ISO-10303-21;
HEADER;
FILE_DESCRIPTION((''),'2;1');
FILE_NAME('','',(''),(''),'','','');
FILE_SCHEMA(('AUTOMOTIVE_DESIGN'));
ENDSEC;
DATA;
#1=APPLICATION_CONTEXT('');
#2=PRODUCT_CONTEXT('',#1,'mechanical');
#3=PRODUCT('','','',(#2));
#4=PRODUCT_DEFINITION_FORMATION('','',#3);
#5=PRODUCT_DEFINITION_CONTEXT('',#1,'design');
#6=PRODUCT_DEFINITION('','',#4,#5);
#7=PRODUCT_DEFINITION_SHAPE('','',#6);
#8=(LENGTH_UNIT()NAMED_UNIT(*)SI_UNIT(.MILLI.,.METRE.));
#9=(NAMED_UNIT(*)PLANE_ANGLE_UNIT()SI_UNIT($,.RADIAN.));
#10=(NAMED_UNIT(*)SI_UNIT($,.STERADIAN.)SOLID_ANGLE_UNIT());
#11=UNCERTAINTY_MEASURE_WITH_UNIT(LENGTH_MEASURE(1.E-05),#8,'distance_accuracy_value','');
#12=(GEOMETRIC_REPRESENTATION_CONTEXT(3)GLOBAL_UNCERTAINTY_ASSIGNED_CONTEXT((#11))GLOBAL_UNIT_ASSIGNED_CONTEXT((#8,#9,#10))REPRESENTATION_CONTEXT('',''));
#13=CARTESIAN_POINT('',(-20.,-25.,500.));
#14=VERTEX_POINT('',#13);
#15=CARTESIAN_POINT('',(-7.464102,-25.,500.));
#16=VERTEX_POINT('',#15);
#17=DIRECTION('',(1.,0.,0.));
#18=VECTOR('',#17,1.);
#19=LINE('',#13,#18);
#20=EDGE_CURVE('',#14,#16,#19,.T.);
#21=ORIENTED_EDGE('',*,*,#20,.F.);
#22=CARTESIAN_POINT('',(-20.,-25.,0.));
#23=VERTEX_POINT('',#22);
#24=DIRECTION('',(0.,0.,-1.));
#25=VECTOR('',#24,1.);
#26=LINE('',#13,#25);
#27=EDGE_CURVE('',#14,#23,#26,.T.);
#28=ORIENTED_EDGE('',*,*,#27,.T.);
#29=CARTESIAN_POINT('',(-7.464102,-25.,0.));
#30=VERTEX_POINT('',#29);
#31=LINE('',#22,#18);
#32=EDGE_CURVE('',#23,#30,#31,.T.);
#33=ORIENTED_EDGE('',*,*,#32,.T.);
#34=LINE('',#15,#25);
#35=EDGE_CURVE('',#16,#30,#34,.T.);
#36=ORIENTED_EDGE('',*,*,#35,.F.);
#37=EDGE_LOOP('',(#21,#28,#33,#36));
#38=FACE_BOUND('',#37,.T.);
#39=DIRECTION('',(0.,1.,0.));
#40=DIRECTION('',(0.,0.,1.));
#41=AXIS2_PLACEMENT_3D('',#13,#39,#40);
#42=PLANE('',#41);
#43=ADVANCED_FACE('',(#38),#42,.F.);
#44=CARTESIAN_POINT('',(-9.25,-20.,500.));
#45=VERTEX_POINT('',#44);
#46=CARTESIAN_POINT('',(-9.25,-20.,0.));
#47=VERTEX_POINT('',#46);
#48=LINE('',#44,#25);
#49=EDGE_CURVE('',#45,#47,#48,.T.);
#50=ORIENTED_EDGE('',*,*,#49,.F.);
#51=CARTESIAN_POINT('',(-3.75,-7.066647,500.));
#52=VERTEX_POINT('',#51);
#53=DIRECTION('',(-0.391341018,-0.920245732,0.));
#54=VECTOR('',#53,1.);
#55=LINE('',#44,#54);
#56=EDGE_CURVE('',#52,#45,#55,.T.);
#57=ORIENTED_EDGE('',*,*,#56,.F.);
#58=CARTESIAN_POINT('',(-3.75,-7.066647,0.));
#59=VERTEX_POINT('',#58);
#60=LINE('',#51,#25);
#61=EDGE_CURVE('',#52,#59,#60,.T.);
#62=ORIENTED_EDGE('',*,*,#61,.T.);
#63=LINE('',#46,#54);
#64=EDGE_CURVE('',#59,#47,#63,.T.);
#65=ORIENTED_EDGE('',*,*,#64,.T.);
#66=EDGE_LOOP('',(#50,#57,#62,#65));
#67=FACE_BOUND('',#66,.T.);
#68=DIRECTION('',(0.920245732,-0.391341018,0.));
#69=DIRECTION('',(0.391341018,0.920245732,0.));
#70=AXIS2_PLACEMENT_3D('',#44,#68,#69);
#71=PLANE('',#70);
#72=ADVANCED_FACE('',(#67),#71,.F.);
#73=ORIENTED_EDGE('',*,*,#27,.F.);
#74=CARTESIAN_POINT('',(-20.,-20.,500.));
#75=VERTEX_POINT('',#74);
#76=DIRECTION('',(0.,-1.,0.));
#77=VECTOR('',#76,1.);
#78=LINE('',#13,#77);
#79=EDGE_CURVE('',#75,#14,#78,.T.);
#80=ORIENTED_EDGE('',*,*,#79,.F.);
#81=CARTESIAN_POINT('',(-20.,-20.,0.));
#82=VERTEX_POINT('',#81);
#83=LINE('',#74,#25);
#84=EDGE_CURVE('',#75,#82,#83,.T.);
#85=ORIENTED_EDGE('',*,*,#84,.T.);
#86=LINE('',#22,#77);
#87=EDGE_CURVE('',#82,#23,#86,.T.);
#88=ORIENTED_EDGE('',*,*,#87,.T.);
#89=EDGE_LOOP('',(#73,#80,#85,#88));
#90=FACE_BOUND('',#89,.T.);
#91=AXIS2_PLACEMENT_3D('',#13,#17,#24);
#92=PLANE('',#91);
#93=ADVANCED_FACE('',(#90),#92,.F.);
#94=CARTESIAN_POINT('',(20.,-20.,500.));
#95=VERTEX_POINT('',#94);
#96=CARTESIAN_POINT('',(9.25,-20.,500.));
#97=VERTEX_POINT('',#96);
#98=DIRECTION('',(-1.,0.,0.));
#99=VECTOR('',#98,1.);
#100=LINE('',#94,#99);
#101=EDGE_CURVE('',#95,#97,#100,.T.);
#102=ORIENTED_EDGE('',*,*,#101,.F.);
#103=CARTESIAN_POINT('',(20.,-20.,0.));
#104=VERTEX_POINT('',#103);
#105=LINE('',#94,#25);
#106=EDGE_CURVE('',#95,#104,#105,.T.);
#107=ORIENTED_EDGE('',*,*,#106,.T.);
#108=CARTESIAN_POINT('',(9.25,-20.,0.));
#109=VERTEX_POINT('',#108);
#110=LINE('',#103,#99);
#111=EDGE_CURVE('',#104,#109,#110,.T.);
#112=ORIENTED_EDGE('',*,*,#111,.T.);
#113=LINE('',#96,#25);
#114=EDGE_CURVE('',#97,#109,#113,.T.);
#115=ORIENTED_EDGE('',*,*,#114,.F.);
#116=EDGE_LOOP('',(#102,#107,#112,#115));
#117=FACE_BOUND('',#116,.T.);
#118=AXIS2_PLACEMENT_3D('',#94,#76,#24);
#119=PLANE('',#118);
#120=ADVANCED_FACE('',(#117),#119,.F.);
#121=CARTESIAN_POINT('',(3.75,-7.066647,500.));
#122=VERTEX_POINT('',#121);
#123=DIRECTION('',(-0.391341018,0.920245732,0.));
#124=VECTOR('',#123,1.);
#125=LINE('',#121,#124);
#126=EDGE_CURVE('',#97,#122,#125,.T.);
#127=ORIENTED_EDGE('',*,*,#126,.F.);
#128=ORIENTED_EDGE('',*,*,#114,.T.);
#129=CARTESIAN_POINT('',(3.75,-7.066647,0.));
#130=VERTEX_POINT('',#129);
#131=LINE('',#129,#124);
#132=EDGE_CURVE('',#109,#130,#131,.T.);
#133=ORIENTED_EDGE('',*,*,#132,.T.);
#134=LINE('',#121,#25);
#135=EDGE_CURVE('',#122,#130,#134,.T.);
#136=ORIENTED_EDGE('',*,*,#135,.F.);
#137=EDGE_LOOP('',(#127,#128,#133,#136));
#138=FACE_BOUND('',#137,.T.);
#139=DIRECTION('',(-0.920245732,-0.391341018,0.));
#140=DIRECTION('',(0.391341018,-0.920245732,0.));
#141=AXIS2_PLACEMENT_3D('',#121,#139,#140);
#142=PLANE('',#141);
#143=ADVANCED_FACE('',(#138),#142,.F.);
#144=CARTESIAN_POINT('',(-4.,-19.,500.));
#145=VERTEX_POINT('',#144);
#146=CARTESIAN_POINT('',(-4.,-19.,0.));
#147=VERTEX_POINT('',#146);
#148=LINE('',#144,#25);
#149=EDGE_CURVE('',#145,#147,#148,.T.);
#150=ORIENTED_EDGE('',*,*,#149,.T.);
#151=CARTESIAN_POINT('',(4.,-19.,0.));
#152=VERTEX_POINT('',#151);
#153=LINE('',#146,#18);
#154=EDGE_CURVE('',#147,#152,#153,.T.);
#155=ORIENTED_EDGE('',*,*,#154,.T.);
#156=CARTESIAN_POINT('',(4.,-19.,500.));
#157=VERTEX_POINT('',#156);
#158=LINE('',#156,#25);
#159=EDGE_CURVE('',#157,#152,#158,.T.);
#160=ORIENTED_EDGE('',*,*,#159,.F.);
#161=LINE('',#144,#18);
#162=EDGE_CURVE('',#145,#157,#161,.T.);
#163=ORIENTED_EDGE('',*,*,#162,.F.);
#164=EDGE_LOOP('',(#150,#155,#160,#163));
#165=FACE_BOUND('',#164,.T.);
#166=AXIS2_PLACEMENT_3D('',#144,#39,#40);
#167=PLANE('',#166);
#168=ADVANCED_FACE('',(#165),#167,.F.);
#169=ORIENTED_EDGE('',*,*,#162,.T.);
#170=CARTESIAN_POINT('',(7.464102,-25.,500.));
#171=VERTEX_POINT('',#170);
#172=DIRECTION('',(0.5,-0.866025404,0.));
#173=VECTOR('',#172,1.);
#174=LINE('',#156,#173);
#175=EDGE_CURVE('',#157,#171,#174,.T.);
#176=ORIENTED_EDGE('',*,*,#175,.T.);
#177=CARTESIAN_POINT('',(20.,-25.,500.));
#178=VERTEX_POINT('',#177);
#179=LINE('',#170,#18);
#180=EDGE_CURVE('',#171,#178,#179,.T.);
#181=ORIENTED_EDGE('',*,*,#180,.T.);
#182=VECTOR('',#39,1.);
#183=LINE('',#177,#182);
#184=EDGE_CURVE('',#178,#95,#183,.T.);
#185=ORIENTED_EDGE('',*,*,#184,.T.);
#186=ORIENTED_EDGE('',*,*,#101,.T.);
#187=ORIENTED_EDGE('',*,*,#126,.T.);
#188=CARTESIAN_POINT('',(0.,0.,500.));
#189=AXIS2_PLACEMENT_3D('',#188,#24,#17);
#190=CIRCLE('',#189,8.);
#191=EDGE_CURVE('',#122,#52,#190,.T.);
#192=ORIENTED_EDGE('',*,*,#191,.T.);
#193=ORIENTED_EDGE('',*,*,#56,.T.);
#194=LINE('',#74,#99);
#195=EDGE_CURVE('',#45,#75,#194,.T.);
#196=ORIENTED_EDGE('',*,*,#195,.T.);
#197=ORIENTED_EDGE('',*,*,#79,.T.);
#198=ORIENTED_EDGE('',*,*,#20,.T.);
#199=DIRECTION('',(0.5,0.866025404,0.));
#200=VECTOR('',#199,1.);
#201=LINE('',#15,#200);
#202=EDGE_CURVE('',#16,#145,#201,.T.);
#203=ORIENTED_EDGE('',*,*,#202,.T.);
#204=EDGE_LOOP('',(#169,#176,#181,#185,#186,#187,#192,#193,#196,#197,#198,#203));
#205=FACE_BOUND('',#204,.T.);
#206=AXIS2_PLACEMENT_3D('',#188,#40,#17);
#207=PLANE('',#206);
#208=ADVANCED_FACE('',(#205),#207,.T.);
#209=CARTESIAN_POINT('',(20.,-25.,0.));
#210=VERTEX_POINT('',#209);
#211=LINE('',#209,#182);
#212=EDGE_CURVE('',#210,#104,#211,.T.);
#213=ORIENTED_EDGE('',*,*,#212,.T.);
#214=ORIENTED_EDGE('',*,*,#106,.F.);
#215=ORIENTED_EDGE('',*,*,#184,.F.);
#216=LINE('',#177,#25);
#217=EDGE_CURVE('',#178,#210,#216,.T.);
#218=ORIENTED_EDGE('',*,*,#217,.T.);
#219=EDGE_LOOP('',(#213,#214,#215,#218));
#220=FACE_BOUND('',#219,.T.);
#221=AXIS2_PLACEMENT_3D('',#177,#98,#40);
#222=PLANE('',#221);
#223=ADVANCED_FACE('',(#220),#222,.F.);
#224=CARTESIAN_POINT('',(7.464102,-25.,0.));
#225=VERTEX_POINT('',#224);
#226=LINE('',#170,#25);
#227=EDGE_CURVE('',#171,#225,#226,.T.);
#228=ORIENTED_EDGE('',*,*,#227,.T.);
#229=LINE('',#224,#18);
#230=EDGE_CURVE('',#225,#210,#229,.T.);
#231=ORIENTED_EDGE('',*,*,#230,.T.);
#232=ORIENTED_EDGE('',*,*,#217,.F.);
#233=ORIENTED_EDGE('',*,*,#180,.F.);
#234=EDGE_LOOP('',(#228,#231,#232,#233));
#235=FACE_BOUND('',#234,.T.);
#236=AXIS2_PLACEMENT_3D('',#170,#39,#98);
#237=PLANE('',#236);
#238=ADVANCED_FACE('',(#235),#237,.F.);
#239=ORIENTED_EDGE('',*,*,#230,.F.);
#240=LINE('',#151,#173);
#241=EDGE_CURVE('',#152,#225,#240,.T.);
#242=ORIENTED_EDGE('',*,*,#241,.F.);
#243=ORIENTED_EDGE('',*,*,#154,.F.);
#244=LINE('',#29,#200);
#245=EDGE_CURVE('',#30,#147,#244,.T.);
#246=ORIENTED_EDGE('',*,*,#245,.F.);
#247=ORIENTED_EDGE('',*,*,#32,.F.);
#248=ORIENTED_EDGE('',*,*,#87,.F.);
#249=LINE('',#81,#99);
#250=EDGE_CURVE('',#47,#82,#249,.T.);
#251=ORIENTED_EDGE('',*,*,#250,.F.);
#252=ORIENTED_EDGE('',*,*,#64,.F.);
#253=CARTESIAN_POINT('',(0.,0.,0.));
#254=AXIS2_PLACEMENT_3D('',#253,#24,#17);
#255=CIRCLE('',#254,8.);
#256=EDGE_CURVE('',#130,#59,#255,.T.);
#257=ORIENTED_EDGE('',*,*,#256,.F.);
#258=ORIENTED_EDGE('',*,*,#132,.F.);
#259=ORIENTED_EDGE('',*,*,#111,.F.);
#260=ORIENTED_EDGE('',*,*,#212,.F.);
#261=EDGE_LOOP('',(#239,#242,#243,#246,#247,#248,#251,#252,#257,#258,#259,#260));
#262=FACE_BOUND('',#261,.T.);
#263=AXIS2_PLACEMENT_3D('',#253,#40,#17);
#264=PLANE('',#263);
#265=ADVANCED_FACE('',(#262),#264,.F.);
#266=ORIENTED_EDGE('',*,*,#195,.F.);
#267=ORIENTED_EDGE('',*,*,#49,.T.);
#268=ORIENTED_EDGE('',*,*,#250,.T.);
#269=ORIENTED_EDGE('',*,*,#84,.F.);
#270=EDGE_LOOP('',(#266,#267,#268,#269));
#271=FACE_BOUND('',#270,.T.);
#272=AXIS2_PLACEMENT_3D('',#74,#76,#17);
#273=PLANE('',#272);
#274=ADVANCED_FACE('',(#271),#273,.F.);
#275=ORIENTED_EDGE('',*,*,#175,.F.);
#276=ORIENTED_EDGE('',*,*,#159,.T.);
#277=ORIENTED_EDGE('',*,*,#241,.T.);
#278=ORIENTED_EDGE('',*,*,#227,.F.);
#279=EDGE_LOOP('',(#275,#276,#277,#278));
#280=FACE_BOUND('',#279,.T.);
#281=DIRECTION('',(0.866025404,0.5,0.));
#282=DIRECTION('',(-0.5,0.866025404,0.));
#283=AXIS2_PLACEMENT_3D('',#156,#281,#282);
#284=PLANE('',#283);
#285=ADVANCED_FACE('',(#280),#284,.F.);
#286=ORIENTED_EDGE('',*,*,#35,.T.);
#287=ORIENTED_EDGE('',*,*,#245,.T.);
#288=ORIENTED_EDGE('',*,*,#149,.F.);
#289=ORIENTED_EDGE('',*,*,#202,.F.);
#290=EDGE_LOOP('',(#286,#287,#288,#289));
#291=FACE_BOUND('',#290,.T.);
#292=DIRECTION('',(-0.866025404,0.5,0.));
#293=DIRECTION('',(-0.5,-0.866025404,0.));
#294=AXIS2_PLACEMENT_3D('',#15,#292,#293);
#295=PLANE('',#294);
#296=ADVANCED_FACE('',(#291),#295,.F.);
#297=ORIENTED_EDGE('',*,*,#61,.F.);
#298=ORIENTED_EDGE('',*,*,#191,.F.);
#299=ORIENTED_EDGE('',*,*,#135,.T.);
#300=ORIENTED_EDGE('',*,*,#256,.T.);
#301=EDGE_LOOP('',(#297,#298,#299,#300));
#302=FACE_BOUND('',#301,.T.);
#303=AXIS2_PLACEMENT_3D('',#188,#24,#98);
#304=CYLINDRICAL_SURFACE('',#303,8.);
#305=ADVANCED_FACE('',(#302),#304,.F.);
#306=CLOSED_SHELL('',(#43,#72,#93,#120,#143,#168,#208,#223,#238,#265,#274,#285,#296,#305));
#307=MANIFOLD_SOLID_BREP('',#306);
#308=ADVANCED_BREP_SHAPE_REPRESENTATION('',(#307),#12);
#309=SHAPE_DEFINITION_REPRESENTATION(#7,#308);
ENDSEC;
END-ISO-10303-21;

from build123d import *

# Parameters (mm, degrees)
BOSS_EXTRUDE1_DEPTH = 500


with BuildPart() as part:
    # Sketch1 → Boss-Extrude1 (new body)
    with BuildSketch(Plane.XY):
        with BuildLine():
            Line((-20, -25), (-7.464101615, -25))
            Line((-7.464101615, -25), (-4, -19))
            Line((-4, -19), (4, -19))
            Line((4, -19), (7.464101615, -25))
            Line((7.464101615, -25), (20, -25))
            Line((20, -25), (20, -20))
            Line((20, -20), (9.25, -20))
            Line((9.25, -20), (3.75, -7.066647013))
            ThreePointArc((3.75, -7.066647013), (0, -8), (-3.75, -7.066647013))
            Line((-3.75, -7.066647013), (-9.25, -20))
            Line((-9.25, -20), (-20, -20))
            Line((-20, -20), (-20, -25))
        make_face()
    extrude(amount=BOSS_EXTRUDE1_DEPTH)


solid = part.part
